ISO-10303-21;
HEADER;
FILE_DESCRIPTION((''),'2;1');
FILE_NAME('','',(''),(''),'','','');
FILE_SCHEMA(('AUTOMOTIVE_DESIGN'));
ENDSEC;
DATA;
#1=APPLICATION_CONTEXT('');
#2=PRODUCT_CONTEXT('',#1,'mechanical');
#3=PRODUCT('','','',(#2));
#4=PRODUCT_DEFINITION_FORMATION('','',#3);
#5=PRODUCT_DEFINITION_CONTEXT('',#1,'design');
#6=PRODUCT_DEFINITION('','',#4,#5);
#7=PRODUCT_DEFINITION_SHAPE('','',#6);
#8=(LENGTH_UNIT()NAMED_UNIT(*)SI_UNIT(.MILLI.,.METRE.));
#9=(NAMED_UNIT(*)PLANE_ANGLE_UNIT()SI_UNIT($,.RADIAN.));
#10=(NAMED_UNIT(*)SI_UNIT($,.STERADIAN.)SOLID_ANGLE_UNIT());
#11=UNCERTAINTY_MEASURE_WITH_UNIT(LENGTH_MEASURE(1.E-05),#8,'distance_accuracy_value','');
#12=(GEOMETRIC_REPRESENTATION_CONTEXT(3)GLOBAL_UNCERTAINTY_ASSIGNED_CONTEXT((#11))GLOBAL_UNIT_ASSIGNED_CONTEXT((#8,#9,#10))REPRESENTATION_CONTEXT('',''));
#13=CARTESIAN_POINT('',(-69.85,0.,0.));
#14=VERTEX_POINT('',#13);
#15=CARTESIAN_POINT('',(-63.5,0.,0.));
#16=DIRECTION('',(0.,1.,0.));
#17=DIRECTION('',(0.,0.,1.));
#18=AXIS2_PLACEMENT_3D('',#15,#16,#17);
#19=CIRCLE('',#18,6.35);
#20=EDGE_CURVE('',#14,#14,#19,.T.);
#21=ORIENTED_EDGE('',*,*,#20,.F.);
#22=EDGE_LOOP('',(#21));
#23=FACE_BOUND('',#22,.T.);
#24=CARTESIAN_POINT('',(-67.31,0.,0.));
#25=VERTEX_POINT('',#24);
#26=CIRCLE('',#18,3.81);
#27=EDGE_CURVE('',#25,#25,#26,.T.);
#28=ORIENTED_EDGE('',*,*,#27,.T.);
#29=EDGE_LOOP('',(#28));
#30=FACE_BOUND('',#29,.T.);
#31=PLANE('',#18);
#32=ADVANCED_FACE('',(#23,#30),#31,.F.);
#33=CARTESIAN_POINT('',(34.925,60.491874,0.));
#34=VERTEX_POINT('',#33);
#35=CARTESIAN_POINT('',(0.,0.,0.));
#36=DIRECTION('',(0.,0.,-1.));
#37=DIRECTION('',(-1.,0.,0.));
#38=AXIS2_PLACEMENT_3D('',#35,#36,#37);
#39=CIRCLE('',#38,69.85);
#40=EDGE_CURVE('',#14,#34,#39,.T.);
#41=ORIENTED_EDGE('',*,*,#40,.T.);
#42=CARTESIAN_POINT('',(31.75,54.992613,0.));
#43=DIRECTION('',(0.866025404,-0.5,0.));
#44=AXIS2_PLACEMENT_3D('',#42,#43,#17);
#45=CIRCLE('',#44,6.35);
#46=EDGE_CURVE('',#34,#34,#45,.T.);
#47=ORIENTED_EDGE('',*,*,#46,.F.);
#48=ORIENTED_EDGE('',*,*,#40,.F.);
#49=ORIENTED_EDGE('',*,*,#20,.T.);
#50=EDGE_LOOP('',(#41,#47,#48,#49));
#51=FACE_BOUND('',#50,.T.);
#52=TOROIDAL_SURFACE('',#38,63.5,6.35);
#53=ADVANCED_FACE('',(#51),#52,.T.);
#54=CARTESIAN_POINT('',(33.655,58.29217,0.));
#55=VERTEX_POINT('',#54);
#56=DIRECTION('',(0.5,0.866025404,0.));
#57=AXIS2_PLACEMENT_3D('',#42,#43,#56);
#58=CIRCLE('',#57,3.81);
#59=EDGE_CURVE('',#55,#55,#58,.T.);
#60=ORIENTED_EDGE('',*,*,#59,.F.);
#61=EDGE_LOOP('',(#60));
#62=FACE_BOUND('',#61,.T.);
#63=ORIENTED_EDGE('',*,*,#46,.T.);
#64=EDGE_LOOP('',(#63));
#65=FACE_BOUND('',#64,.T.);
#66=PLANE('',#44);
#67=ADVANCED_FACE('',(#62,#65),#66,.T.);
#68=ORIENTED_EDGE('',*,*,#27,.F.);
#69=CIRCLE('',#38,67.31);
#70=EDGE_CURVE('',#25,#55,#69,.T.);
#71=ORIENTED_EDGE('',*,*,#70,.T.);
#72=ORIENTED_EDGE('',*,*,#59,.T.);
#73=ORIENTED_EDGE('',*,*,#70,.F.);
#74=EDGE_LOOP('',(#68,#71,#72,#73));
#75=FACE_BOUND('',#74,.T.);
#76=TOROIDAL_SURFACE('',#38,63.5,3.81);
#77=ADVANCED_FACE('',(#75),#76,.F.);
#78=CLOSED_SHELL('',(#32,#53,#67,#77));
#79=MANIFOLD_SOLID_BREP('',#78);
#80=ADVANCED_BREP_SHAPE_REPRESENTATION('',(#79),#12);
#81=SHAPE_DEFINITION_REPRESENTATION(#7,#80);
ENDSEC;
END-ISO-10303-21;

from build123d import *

# Parameters (mm, degrees)
SKETCH1_R = 6.35
SHELL1_T  = -2.54


with BuildPart() as part:
    # Sweep1: sweep along a path in Sketch2
    with BuildLine(Plane.XY) as sweep1_path:
        ThreePointArc((-63.5, 0), (-31.75, 54.99261314), (31.75, 54.99261314))
    # Sketch1 → Sweep1 (sweep)
    with BuildSketch(Plane(origin=(0, 0, 0), x_dir=(1, 0, 0), z_dir=(0, 1, 0))):
        with Locations((-63.5, 0)):
            Circle(SKETCH1_R)
    sweep(path=sweep1_path.line)

    # Shell1
    shell1_openings = [part.faces().sort_by_distance(p)[0] for p in [
        (31.75, 54.99261314, 0),
        (-63.5, 0, 0),
    ]]
    offset(amount=SHELL1_T, openings=shell1_openings, kind=Kind.INTERSECTION)


solid = part.part
